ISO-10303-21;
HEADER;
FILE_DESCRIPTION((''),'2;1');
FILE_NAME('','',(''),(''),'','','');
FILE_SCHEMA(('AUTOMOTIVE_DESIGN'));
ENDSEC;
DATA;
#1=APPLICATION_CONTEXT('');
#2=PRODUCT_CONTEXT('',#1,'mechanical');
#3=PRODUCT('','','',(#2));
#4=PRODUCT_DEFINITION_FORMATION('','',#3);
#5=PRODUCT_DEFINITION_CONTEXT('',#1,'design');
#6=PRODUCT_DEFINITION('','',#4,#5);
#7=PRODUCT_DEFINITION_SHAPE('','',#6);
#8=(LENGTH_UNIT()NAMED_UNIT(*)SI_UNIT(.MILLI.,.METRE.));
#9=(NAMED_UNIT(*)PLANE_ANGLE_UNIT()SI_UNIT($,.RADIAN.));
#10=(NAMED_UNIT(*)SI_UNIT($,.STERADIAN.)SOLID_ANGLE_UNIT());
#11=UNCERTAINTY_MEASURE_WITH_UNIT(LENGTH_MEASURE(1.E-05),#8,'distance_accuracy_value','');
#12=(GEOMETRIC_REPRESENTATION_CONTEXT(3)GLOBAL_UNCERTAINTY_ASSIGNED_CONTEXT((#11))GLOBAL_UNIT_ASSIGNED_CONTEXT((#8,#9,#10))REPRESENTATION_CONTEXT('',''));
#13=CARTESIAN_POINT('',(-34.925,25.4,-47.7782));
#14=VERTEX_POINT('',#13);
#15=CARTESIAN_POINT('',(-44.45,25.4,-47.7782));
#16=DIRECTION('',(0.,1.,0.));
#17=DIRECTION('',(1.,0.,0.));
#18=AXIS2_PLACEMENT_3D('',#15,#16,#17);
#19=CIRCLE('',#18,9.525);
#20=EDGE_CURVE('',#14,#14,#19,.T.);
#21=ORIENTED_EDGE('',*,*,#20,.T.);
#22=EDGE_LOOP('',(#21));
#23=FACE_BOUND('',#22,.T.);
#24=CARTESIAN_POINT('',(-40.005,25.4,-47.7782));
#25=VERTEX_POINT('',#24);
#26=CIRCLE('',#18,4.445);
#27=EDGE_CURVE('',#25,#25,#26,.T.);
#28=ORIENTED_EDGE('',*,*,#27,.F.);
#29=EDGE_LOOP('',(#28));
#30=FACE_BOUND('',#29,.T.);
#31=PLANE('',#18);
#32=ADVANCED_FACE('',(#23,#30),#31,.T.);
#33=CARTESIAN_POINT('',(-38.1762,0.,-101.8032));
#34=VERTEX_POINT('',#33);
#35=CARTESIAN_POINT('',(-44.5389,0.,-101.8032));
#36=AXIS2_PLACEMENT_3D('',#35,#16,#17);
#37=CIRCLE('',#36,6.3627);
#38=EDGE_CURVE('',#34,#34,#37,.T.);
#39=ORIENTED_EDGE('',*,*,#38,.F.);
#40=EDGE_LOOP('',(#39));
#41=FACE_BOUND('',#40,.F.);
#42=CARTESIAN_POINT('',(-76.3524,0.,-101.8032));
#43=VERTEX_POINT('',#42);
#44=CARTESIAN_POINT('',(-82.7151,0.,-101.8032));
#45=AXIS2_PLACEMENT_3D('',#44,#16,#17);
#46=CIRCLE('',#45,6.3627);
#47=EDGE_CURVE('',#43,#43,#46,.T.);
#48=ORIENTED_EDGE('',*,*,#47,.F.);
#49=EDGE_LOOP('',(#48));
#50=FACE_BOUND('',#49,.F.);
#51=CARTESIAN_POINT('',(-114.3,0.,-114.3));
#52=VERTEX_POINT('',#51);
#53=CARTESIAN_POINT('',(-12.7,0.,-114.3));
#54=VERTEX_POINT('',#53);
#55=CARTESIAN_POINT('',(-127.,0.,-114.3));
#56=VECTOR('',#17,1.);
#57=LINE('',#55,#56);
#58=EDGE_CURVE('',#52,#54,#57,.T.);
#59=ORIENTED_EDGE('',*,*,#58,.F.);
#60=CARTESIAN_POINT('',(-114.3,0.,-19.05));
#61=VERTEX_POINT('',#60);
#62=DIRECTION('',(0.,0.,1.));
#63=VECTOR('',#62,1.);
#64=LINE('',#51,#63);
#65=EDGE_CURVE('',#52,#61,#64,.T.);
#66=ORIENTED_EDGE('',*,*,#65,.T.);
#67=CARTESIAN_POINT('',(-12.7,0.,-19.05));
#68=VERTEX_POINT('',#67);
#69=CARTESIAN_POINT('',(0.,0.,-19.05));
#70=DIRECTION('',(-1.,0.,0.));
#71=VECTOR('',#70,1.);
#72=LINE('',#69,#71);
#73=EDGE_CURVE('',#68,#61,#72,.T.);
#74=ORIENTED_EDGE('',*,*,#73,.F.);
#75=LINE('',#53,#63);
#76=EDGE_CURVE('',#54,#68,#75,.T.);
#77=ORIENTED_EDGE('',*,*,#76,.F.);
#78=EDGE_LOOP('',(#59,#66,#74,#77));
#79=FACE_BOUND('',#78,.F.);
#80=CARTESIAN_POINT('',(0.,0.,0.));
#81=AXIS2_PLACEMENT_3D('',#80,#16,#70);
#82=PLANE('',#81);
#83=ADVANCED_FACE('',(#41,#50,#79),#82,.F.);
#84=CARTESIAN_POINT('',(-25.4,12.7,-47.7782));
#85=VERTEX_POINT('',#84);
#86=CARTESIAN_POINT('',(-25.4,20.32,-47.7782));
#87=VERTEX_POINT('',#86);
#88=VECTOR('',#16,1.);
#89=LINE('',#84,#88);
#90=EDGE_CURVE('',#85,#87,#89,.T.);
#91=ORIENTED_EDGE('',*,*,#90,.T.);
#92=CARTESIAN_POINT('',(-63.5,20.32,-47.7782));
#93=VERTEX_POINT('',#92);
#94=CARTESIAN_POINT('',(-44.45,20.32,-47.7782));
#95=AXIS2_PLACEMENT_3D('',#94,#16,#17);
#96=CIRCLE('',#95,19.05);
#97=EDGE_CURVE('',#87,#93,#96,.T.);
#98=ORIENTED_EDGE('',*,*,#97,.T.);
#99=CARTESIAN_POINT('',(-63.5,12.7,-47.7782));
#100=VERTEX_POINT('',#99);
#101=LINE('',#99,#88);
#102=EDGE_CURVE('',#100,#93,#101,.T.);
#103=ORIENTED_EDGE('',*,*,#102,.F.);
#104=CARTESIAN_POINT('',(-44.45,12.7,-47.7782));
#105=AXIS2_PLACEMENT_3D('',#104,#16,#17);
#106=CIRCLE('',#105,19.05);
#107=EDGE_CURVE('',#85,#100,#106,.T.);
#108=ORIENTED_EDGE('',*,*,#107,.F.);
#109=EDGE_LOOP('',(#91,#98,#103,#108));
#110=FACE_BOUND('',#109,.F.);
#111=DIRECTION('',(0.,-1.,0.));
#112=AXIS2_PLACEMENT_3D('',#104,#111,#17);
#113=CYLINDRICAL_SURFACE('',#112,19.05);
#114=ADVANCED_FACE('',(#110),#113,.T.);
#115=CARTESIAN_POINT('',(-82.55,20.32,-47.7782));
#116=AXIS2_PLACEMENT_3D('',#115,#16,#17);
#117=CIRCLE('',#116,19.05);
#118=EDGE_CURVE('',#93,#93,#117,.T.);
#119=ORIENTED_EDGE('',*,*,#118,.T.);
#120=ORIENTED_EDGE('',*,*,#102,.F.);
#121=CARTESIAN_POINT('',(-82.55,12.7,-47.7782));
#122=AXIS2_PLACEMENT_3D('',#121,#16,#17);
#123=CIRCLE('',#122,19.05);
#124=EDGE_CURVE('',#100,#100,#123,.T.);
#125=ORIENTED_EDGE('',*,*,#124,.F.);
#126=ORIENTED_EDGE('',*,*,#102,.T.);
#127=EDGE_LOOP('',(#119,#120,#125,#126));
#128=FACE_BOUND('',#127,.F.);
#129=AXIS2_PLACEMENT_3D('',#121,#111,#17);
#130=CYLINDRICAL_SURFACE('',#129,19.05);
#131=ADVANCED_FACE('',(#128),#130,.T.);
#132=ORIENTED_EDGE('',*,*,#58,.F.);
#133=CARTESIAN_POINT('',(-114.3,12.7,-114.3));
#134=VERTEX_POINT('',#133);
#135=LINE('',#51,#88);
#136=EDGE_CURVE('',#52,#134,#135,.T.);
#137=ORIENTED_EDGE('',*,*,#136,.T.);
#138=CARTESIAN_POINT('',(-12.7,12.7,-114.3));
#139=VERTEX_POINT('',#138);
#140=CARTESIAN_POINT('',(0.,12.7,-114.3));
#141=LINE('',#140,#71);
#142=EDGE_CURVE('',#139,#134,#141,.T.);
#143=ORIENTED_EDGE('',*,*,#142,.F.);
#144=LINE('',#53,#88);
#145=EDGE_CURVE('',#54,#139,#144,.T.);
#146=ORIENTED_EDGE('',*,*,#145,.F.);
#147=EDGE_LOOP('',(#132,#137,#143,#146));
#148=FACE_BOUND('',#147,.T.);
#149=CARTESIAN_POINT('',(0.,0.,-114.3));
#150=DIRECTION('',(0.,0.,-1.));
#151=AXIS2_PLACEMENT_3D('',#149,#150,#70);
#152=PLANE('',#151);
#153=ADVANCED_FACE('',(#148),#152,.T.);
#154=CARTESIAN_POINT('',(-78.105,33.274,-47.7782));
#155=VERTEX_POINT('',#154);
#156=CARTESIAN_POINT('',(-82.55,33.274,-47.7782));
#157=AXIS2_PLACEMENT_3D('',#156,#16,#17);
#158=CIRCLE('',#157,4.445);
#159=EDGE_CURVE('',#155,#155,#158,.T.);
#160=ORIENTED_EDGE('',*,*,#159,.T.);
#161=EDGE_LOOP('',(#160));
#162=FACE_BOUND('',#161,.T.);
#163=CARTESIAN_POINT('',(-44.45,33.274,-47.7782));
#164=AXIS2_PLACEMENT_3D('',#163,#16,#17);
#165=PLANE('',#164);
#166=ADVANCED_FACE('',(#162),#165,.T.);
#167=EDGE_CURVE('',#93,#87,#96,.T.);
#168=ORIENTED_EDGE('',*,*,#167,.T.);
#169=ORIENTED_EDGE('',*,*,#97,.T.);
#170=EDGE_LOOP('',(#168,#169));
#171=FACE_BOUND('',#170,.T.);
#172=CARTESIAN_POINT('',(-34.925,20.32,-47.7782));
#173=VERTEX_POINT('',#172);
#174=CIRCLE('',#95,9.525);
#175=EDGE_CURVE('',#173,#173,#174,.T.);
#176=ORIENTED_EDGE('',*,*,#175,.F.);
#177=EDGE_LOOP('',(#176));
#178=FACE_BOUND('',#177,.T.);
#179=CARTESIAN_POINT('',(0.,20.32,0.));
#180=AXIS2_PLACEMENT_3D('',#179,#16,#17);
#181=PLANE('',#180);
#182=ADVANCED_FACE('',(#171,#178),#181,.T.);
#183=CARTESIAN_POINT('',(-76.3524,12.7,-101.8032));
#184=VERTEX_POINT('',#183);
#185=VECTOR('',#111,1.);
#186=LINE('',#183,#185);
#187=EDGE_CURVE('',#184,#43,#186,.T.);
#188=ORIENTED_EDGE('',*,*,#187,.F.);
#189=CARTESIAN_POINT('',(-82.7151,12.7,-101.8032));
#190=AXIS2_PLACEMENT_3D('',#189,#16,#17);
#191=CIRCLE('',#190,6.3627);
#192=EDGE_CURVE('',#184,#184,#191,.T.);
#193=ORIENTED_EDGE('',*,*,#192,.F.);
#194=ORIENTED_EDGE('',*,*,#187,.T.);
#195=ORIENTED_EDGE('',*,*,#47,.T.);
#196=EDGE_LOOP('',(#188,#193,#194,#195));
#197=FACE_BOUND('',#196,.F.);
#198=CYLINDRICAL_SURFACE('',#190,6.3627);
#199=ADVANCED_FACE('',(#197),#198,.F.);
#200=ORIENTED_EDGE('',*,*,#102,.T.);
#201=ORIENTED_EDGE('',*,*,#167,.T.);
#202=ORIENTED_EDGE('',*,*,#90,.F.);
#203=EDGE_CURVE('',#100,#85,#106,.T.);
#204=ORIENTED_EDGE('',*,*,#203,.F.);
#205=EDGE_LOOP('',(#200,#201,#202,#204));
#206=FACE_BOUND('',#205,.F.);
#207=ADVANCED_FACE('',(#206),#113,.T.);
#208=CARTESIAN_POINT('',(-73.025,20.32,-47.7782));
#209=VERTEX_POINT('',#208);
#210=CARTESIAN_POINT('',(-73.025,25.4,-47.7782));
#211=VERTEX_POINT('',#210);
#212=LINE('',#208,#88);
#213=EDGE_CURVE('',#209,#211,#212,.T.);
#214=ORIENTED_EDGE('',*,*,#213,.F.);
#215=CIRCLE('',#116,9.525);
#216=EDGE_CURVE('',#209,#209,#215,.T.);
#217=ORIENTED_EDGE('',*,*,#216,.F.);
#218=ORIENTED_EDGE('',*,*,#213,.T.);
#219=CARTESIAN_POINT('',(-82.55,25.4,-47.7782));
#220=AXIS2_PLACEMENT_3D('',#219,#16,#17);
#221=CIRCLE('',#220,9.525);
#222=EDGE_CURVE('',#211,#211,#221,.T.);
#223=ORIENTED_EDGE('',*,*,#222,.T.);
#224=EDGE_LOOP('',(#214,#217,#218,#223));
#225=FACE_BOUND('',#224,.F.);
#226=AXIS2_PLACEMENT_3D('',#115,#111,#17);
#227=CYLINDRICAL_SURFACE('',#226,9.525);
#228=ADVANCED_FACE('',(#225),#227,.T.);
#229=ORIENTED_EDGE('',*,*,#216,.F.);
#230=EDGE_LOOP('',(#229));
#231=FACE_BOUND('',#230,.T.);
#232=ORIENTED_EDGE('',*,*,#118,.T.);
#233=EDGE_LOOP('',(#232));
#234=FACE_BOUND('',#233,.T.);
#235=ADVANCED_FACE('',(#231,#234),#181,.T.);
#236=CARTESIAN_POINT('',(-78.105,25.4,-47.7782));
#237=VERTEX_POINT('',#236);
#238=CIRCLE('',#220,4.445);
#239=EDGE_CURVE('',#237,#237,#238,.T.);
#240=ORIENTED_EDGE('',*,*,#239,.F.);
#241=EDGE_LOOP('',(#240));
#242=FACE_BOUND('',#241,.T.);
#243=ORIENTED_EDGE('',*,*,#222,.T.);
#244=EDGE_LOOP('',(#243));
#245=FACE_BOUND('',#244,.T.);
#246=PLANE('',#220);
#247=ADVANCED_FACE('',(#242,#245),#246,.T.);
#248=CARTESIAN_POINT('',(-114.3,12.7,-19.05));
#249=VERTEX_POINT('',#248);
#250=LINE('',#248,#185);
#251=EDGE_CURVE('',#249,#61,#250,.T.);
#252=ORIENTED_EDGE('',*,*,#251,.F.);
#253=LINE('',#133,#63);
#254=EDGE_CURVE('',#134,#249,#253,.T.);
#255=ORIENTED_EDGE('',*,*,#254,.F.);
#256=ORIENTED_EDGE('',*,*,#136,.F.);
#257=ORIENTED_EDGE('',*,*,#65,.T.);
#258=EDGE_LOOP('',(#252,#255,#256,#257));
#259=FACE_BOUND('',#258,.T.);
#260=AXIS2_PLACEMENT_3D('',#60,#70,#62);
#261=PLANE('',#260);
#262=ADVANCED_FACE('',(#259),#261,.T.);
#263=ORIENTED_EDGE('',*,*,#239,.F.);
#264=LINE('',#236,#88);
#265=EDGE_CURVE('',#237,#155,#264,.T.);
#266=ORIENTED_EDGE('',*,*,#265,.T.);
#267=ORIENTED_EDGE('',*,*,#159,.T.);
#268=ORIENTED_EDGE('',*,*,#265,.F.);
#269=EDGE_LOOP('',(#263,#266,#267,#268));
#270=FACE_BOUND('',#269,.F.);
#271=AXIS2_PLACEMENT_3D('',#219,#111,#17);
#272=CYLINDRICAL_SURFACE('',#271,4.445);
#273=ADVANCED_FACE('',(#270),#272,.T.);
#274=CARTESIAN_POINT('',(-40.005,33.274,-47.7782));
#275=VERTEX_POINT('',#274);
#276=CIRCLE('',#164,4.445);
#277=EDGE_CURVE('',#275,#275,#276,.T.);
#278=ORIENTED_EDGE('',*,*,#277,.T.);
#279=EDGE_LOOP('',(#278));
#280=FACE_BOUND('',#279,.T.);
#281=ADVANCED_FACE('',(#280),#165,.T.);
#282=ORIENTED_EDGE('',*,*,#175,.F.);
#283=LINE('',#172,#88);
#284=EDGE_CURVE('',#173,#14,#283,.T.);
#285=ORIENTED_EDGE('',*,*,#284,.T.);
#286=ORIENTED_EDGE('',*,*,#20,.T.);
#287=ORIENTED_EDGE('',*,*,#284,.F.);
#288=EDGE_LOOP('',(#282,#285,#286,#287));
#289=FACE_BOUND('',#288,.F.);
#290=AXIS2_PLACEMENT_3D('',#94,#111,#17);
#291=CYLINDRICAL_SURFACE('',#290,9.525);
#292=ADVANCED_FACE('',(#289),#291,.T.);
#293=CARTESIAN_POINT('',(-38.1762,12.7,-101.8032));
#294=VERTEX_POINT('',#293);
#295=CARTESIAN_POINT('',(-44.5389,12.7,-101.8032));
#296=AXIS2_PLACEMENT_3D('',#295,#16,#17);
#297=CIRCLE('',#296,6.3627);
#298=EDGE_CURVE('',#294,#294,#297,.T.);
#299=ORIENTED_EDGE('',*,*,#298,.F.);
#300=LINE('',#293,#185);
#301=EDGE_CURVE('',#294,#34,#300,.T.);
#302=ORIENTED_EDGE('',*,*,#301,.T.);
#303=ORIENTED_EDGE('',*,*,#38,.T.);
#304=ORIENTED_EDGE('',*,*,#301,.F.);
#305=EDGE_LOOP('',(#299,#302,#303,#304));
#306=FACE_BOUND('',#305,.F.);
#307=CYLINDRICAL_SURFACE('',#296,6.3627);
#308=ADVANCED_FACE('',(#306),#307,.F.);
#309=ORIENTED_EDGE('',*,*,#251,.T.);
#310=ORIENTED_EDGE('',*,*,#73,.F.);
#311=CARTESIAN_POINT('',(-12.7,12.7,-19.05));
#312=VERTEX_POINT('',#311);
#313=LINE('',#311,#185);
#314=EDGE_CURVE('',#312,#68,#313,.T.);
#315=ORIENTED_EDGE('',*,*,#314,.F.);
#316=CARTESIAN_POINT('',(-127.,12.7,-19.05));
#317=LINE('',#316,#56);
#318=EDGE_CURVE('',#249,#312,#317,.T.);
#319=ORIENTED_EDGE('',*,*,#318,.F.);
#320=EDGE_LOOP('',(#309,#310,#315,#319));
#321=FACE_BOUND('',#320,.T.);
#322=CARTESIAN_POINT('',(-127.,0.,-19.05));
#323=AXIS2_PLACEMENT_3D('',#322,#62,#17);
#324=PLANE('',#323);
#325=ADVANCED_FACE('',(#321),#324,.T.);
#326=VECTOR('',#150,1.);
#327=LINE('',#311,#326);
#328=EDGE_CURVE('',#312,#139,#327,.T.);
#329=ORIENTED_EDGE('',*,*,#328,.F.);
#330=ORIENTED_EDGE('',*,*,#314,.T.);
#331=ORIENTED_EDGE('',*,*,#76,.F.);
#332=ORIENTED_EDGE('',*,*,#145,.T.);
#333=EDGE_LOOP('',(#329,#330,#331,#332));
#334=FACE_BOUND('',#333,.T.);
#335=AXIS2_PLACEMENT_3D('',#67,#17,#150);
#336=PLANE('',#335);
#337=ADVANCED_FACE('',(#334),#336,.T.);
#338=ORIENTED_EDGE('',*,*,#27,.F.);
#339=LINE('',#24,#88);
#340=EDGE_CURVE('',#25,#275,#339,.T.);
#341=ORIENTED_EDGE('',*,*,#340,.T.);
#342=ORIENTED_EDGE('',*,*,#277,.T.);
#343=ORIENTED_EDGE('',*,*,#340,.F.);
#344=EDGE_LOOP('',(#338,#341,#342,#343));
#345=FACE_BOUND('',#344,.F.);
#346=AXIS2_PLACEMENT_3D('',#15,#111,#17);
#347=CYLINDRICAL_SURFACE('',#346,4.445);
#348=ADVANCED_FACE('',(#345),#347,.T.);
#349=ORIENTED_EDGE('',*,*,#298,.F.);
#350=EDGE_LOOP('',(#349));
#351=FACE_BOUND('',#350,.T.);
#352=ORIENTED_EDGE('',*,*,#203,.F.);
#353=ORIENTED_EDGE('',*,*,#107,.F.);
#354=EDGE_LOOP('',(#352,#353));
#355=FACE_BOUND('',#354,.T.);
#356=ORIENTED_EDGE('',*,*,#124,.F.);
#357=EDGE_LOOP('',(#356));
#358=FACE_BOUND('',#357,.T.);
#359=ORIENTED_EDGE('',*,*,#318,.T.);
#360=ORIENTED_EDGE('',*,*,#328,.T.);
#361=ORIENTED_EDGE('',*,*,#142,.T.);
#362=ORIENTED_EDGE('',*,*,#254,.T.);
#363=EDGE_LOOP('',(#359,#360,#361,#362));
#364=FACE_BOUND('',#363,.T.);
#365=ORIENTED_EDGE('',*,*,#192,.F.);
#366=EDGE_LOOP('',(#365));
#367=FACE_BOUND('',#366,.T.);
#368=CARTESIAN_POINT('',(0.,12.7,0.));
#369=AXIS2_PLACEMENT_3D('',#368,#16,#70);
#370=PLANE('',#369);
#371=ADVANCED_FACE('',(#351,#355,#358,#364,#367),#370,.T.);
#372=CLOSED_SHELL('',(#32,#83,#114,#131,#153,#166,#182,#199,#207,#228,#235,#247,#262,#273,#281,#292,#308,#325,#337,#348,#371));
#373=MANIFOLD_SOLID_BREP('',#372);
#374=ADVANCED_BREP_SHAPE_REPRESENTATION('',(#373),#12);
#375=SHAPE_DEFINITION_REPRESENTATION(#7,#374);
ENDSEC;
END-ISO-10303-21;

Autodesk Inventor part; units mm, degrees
ref_plane "YZ Plane" through (0, 0, 0) normal (1, 0, 0) x (0, 1, 0)
ref_plane "XZ Plane" through (0, 0, 0) normal (0, 1, 0) x (-1, 0, 0)
ref_plane "XY Plane" through (0, 0, 0) normal (0, 0, 1) x (1, 0, 0)
sketch "Sketch9" plane through (0, 0, 0) normal (0, 1, 0) x (-1, 0, 0)
  line L0 (0, 0) -> (127, 0)
  line L1 (127, 0) -> (127, -127)
  line L2 (127, -127) -> (0, -127)
  line L3 (0, -127) -> (0, 0)
  dimension "d29" = 127
  dimension "d30" = 127
extrude "Extrusion9" add sketch "Sketch9" along normal blind 12.7
sketch "Sketch10" plane through (0, 12.7, 0) normal (0, 1, 0) x (1, 0, 0)
  line L0 (-127, 127) -> (-127, 0) projected
  line L1 (-127, 0) -> (0, 0) projected
  line L2 (0, 0) -> (0, 127) projected
  line L3 (0, 127) -> (-127, 127) projected
  circle A0 centre (-89.0778, 50.9016) radius 19.0881
  circle A1 centre (-38.1762, 50.9016) radius 19.0881
  circle A2 centre (-82.7151, 101.8032) radius 6.3627
  circle A3 centre (-44.5389, 101.8032) radius 6.3627
  point P0 (-38.1762, 101.8032)
  dimension "d69" = 12.7254
  dimension "d70" = 12.7254
extrude "Extrusion10" cut sketch "Sketch10" against normal through all contours A2 | A3
sketch "Sketch11" plane through (0, 12.7, 0) normal (0, 1, 0) x (1, 0, 0)
  circle A0 centre (-82.55, 47.7782) radius 19.05
  circle A1 centre (-44.5389, 101.8032) radius 6.3627 projected
  line L0 (-127, 0) -> (0, 0) projected
  circle A2 centre (-44.45, 47.7782) radius 19.05
  line L1 (-44.5389, 101.8032) -> (-44.5389, 95.4405)
  point P0 (-63.5, 47.7782)
  dimension "d47" = 38.1
  dimension "d48" = 38.1
extrude "Extrusion11" add sketch "Sketch11" along normal blind 7.62 contours A0 | A2
sketch "Sketch12" plane through (-127, 0, 0) normal (0, 0, 1) x (1, 0, 0)
  line L0 (0, 0) -> (0, 12.7) projected
  line L1 (127, 0) -> (0, 0) projected
  line L2 (0, 12.7) -> (127, 12.7)
  line L3 (127, 12.7) -> (127, 0)
  line L4 (127, 0) -> (0, 0)
  line L5 (0, 0) -> (0, 12.7)
extrude "Extrusion12" cut sketch "Sketch12" against normal blind 19.05
sketch "Sketch13" plane through (0, 0, -127) normal (0, 0, -1) x (-1, 0, 0)
  line L0 (0, 12.7) -> (127, 12.7) projected
  line L1 (127, 0) -> (127, 12.7) projected
  line L2 (0, 12.7) -> (127, 12.7)
  line L3 (127, 12.7) -> (127, 0)
  line L4 (127, 0) -> (0, 0)
  line L5 (0, 0) -> (0, 12.7)
extrude "Extrusion13" cut sketch "Sketch13" against normal blind 12.7
sketch "Sketch14" plane through (-127, 0, -19.05) normal (-1, 0, 0) x (0, 0, 1)
  line L0 (-95.25, 12.7) -> (0, 12.7) projected
  line L1 (-95.25, 0) -> (0, 0) projected
  line L2 (-95.25, 12.7) -> (0, 12.7)
  line L3 (0, 12.7) -> (0, 0)
  line L4 (0, 0) -> (-95.25, 0)
  line L5 (-95.25, 0) -> (-95.25, 12.7)
  point P0 (19.05, 0)
  point P1 (0, 12.7)
extrude "Extrusion14" cut sketch "Sketch14" against normal blind 12.7
sketch "Sketch15" plane through (0, 0, -19.05) normal (1, 0, 0) x (0, 0, -1)
  line L0 (0, 12.7) -> (0, 0) projected
  line L1 (95.25, 0) -> (95.25, 12.7) projected
  line L2 (0, 12.7) -> (95.25, 12.7)
  line L3 (95.25, 12.7) -> (95.25, 0)
  line L4 (95.25, 0) -> (0, 0)
  line L5 (0, 0) -> (0, 12.7)
  point P0 (-19.05, 0)
extrude "Extrusion15" cut sketch "Sketch15" against normal blind 12.7
sketch "Sketch16" plane through (-44.45, 20.32, -47.7782) normal (0, 1, 0) x (1, 0, 0)
  circle A0 centre (0, 0) radius 9.525
  point P0 (44.45, -47.7782)
  dimension "d59" = 19.05
extrude "Extrusion16" add sketch "Sketch16" along normal blind 5.08
sketch "Sketch17" plane through (-82.55, 20.32, -47.7782) normal (0, 1, 0) x (1, 0, 0)
  circle A0 centre (0, 0) radius 9.525
  point P0 (82.55, -47.7782)
  dimension "d62" = 19.05
extrude "Extrusion17" add sketch "Sketch17" along normal blind 5.08
sketch "Sketch18" plane through (-44.45, 25.4, -47.7782) normal (0, 1, 0) x (1, 0, 0)
  circle A0 centre (0, 0) radius 4.445
  circle A1 centre (-38.1, 0) radius 19.05 projected
  circle A2 centre (-38.1, 0) radius 4.445
  point P0 (44.45, -47.7782)
  point P1 (-19.05, 0)
  dimension "d65" = 8.89
  dimension "d66" = 8.89
extrude "Extrusion18" add sketch "Sketch18" along normal blind 7.874 contours A0 | A2
sketch "Sketch19" plane through (0, 12.7, 0) normal (0, 1, 0) x (1, 0, 0)
  point P0 (0, 0)
sketch "Sketch20" plane through (0, 12.7, 0) normal (0, 1, 0) x (1, 0, 0)
  point P0 (0, 0)
sketch "Sketch21" plane through (-44.45, 33.274, -47.7782) normal (0, 1, 0) x (1, 0, 0)
  point P0 (44.45, -47.7782)
properties part number "Gripping Claws" material "Nickel-Copper Alloy 400"
